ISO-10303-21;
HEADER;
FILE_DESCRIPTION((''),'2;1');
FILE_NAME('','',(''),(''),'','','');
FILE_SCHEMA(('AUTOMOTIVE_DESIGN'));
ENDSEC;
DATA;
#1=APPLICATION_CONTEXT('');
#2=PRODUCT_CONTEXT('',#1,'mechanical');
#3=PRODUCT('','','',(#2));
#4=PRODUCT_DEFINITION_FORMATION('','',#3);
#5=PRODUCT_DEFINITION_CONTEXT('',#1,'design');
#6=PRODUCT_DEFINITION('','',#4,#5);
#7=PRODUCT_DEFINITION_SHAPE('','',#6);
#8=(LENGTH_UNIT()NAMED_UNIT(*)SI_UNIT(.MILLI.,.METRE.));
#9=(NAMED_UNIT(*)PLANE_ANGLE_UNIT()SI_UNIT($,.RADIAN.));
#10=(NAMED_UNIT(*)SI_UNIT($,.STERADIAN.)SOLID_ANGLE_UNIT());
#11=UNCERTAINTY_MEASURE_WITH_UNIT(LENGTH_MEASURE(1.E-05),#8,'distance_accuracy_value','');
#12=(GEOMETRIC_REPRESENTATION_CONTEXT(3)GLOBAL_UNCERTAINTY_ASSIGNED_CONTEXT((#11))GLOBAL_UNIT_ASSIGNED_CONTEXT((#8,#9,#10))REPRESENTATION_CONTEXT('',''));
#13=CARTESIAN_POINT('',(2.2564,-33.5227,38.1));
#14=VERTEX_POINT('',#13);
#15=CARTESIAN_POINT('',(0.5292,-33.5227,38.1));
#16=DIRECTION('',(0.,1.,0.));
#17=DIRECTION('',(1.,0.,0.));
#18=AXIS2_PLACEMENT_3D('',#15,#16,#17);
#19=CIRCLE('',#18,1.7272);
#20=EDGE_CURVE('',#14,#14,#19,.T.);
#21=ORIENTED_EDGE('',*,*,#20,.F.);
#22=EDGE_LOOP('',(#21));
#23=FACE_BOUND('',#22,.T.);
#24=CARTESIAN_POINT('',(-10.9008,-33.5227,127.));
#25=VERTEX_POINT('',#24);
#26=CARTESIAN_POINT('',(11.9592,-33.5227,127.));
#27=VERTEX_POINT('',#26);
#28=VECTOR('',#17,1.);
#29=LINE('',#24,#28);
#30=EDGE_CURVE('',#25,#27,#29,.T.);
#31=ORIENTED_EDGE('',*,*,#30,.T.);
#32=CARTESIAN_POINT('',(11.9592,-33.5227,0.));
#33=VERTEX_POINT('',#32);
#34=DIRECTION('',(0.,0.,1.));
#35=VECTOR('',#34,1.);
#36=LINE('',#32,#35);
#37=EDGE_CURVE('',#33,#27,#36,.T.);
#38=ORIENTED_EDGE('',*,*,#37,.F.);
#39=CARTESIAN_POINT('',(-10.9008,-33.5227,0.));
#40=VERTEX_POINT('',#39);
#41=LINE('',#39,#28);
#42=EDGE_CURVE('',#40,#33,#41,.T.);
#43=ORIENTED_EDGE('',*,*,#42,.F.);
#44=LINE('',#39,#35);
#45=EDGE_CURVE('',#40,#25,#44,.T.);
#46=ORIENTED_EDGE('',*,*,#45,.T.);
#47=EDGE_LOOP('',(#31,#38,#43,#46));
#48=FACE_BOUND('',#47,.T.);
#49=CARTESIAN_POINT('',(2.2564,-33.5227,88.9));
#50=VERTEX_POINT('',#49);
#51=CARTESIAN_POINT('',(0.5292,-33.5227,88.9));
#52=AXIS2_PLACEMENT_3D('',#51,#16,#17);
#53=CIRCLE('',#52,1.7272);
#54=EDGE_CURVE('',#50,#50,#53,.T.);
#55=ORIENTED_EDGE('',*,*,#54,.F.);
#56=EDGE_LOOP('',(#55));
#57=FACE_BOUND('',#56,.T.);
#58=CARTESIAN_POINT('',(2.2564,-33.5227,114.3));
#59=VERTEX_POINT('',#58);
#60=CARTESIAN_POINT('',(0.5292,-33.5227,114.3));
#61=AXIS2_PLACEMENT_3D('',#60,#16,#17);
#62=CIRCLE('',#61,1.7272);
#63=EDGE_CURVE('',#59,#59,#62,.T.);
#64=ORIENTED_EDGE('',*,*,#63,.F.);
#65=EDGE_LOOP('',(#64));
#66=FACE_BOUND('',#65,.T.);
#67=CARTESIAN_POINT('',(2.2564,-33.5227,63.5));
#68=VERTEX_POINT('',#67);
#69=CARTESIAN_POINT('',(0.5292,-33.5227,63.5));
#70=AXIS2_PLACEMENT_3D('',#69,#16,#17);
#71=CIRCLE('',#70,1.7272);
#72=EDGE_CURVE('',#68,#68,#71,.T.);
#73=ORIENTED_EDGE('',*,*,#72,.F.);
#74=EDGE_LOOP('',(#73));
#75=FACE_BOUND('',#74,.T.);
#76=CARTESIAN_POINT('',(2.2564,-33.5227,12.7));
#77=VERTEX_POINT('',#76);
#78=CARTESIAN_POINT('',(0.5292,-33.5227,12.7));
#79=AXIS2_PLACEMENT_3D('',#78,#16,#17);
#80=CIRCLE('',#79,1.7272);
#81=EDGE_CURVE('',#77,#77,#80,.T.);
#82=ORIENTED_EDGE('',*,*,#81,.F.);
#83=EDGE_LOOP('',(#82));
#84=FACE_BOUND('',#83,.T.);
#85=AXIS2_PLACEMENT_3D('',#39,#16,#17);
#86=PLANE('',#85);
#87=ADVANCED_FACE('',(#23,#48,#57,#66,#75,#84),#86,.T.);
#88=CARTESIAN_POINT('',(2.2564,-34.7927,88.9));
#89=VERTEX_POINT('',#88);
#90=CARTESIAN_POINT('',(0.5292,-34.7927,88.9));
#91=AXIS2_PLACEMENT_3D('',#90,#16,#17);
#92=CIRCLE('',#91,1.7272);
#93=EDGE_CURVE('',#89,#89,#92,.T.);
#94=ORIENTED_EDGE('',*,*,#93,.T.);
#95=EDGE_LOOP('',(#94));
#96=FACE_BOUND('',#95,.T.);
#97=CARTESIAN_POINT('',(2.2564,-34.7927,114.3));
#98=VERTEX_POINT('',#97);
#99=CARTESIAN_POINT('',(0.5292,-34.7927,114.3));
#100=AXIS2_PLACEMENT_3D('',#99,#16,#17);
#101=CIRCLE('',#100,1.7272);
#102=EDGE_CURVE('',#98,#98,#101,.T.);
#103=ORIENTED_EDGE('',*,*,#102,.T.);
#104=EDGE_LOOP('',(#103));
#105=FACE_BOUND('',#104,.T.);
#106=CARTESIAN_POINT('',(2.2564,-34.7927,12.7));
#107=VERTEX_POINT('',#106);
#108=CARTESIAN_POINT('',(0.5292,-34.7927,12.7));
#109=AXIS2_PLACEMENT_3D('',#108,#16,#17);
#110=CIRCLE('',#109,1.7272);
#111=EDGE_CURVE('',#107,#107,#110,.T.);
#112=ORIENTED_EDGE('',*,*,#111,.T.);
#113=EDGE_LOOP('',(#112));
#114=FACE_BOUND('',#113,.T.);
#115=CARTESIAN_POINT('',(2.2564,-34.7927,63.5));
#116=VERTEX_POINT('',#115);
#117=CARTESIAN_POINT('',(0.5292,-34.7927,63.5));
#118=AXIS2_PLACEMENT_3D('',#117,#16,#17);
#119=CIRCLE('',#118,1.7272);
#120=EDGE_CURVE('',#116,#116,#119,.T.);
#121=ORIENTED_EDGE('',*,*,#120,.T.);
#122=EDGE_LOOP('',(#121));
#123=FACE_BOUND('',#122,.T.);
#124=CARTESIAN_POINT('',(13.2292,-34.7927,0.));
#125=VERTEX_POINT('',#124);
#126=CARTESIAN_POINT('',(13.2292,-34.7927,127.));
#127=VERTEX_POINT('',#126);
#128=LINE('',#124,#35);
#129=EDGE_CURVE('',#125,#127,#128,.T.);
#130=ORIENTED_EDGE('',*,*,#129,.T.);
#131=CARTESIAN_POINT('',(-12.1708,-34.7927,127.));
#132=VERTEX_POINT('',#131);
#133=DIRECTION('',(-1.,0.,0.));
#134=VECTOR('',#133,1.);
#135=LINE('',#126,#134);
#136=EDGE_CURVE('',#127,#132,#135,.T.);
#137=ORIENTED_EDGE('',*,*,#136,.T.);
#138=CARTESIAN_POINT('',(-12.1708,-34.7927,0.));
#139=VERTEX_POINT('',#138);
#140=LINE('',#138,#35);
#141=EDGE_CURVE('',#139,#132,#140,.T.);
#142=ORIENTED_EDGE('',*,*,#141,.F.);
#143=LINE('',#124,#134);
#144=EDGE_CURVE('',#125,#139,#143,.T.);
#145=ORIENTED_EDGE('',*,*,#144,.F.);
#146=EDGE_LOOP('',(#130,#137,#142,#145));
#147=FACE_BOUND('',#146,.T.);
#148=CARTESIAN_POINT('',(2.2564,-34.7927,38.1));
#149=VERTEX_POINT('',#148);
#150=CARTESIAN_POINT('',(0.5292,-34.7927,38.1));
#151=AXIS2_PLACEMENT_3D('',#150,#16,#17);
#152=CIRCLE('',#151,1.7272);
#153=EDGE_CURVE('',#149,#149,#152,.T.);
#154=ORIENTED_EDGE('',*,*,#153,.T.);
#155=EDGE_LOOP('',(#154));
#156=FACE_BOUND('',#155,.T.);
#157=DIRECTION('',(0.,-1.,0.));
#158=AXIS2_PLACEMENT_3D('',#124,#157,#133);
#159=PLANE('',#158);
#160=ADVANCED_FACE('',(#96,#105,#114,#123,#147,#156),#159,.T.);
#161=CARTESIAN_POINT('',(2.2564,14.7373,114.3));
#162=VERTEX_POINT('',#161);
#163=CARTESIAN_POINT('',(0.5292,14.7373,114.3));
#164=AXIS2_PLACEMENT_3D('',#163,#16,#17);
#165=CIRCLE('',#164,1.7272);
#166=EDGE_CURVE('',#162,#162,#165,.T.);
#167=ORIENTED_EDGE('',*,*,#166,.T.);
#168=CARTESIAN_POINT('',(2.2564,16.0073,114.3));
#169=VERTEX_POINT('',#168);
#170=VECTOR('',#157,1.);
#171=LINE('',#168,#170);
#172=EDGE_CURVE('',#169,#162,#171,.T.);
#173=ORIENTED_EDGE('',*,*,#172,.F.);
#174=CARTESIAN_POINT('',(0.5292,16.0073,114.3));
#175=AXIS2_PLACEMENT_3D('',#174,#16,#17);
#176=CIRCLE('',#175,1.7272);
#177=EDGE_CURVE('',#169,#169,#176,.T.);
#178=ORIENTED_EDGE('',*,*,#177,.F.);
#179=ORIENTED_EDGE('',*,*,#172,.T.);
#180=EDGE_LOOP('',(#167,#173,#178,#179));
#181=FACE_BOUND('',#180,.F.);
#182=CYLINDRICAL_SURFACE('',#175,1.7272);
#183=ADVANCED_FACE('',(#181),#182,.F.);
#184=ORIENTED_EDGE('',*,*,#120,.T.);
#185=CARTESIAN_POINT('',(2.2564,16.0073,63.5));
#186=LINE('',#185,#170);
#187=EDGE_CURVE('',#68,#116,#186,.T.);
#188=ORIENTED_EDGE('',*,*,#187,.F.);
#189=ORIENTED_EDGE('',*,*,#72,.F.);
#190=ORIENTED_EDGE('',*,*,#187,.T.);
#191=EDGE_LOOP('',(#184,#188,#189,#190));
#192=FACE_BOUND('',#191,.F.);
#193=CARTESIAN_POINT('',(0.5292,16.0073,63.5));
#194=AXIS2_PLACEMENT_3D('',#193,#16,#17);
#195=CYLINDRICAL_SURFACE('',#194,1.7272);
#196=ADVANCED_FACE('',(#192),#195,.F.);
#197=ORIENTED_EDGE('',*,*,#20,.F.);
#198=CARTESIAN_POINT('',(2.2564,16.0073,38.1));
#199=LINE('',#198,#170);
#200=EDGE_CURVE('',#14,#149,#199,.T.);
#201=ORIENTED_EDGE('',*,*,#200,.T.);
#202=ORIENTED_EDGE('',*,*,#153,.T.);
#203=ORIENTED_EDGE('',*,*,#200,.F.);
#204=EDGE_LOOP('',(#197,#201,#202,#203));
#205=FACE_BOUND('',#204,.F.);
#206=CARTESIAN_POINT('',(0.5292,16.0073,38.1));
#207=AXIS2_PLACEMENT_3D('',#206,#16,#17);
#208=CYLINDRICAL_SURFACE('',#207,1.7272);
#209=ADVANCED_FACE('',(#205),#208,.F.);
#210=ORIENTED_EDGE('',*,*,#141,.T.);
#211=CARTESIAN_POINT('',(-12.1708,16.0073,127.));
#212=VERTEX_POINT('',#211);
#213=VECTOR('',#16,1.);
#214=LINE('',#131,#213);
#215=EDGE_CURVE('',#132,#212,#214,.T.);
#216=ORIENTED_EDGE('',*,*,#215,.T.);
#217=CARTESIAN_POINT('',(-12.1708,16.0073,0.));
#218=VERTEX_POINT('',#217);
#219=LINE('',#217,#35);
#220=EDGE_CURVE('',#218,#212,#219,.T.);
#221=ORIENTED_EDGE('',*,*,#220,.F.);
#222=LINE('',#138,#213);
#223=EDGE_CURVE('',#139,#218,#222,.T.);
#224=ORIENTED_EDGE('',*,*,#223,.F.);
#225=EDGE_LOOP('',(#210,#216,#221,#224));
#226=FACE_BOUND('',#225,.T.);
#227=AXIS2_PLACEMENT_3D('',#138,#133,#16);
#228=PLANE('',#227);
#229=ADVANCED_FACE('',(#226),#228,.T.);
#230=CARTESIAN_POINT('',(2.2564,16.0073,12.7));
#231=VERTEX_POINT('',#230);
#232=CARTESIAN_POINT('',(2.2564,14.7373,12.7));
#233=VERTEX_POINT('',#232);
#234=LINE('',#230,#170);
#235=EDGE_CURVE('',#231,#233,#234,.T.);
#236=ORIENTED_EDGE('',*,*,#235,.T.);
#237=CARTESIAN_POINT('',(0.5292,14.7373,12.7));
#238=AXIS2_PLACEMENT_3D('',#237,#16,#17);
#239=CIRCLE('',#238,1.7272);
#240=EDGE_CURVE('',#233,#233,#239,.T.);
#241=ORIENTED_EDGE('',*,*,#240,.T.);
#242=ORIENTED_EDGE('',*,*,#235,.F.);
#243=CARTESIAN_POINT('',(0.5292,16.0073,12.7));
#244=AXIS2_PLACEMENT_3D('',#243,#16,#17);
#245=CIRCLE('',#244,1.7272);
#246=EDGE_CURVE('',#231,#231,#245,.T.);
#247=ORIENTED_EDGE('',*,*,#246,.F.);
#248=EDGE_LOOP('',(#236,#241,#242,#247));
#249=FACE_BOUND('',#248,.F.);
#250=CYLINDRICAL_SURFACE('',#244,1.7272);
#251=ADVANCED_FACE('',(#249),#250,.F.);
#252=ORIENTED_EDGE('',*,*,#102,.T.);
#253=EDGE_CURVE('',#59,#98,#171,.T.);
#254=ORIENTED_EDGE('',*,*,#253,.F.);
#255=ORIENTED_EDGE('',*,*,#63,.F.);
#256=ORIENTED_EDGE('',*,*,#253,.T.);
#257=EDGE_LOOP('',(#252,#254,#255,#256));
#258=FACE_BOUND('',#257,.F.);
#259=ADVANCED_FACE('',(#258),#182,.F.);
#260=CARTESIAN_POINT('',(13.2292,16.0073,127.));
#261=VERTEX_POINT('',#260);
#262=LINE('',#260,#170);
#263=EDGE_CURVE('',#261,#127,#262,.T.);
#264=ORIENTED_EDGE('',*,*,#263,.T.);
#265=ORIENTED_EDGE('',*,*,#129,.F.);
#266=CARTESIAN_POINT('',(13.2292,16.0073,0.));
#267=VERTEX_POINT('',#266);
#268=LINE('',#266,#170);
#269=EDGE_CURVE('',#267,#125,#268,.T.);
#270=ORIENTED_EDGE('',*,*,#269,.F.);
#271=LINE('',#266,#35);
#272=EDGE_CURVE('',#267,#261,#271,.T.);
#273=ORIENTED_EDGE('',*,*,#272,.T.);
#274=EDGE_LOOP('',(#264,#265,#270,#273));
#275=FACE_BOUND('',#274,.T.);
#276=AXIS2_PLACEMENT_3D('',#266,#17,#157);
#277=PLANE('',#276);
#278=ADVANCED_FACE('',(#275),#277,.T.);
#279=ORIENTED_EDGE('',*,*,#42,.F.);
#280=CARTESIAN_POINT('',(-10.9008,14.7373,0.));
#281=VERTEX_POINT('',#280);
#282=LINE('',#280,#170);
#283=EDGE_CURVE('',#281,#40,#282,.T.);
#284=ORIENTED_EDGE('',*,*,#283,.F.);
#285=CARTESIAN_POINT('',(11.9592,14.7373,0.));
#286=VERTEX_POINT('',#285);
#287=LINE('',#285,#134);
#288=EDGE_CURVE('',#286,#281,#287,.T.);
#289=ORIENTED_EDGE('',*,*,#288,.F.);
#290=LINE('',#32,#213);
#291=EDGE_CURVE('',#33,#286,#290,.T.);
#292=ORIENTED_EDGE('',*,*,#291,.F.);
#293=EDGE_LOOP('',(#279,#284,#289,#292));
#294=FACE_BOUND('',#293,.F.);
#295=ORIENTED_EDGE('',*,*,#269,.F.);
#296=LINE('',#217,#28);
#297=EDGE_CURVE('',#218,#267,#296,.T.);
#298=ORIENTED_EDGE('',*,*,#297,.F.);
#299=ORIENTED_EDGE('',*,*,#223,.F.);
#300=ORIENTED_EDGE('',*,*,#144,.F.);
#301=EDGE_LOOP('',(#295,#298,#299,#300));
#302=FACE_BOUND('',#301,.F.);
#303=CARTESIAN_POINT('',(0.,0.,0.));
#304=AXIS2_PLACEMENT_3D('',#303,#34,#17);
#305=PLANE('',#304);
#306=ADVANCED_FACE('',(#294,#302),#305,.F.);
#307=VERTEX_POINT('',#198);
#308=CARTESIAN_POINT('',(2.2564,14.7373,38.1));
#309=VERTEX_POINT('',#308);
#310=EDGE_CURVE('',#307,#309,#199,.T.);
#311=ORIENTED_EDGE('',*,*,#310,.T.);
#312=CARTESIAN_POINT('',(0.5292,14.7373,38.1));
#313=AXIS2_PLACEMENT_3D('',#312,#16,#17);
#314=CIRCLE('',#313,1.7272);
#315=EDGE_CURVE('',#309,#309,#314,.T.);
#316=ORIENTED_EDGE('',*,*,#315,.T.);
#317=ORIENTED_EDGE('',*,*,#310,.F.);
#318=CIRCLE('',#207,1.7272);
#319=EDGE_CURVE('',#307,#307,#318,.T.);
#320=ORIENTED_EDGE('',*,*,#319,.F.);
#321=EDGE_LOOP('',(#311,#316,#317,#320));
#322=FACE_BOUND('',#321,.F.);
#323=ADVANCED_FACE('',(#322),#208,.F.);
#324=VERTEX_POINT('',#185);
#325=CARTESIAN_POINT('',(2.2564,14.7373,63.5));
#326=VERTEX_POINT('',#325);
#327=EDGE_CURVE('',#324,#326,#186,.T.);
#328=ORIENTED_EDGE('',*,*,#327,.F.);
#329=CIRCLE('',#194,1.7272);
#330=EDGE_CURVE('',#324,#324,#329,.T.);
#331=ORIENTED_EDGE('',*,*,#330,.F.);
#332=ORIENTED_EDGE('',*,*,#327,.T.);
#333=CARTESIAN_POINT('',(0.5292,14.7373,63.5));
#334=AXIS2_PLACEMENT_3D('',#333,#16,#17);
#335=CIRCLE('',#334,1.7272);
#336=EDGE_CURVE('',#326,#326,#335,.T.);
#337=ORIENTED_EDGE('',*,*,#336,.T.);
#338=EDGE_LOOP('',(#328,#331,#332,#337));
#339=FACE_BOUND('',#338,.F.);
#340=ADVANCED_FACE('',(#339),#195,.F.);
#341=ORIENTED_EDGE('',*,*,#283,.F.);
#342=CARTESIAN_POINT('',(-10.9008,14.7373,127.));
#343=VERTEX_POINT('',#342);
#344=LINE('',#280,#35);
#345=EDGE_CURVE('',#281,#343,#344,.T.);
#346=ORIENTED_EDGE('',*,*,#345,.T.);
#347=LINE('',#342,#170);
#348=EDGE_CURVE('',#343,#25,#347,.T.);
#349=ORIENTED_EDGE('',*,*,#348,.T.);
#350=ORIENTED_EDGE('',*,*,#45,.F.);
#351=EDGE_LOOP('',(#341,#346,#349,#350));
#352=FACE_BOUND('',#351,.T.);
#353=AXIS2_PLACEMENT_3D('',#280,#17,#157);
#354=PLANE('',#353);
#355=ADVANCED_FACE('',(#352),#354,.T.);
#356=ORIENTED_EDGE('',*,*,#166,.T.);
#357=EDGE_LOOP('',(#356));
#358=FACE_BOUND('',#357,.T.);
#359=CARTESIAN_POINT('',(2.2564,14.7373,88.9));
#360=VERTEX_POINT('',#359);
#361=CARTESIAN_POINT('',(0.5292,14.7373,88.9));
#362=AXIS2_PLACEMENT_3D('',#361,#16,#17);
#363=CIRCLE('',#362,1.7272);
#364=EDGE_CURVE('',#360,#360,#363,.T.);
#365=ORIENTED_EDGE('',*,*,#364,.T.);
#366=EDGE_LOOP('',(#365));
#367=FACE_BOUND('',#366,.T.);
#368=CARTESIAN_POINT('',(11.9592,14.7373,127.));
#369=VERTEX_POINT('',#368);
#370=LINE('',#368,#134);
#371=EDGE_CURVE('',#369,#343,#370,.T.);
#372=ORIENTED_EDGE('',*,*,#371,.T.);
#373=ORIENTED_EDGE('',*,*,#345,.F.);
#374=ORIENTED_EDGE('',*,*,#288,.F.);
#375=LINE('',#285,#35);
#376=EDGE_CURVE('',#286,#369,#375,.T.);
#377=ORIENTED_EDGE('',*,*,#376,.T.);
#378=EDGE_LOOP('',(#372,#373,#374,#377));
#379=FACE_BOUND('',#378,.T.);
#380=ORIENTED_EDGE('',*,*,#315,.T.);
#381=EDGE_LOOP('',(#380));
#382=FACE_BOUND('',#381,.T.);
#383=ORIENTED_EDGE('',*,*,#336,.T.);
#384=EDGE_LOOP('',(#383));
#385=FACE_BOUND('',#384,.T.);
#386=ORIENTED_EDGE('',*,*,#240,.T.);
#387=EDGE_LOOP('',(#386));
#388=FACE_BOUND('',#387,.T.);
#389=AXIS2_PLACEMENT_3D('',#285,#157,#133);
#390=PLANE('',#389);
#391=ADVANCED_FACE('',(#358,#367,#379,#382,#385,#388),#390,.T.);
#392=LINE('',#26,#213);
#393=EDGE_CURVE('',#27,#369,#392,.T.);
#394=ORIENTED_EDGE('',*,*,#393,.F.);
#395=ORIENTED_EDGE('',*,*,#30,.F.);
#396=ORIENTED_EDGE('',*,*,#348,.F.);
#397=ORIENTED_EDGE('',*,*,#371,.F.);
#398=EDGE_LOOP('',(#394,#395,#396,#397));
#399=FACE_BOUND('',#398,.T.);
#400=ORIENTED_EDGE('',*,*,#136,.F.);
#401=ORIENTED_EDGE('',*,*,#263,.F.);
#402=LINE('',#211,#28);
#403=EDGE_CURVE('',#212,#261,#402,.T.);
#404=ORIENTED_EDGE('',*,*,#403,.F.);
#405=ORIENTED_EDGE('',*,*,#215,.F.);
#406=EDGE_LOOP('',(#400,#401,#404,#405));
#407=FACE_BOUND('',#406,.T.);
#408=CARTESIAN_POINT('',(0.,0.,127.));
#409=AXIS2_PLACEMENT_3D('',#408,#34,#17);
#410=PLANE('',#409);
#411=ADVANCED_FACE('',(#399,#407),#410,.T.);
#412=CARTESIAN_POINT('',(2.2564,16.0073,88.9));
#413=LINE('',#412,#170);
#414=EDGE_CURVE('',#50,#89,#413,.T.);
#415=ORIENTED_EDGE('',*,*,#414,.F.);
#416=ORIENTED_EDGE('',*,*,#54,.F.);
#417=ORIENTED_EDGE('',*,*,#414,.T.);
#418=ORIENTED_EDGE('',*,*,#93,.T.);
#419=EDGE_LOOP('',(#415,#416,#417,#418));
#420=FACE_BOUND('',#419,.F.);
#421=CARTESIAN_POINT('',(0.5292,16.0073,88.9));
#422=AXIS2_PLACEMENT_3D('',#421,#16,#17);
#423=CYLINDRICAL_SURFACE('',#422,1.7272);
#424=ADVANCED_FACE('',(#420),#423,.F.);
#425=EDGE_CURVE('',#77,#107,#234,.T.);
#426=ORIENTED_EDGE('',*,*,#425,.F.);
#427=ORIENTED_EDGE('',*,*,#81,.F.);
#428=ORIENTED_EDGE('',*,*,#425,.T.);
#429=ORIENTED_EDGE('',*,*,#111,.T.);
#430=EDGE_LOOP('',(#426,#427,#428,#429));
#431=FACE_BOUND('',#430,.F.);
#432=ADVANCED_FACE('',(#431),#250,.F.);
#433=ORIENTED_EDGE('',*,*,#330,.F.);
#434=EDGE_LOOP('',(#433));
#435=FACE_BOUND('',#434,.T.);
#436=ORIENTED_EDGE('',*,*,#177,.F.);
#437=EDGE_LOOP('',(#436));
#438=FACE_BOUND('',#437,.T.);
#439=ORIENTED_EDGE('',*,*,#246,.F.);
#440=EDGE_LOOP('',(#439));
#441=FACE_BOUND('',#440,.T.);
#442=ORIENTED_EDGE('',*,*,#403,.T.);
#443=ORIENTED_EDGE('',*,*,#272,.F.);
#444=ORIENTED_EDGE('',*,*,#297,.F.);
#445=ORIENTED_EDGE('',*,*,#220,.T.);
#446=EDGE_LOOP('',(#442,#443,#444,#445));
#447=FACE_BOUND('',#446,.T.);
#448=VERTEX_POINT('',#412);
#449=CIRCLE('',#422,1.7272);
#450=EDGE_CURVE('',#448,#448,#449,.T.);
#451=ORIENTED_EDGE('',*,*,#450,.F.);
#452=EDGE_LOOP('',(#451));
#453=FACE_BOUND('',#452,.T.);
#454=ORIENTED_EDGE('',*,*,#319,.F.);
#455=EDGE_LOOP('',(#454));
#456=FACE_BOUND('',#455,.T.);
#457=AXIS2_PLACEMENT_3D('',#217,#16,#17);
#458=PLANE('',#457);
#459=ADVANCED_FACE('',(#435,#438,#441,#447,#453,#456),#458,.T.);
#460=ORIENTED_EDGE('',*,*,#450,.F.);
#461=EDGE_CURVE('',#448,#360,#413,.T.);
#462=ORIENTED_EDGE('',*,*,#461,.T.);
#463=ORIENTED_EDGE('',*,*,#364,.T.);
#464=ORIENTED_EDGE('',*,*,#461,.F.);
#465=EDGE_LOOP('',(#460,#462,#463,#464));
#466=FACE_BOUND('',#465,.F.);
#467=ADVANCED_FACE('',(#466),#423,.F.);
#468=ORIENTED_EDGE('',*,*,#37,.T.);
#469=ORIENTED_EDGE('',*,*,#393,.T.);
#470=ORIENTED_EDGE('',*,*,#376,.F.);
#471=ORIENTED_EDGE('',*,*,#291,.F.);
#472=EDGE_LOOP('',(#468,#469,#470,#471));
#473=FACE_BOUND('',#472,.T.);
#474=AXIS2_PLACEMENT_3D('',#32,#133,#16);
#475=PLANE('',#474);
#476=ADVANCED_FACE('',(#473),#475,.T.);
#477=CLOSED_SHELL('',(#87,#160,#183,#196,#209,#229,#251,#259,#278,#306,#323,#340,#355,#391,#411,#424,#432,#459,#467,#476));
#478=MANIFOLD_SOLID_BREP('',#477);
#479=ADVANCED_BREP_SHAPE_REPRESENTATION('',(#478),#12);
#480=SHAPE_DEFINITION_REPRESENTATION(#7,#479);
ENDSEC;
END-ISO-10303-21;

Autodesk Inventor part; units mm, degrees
ref_plane "YZ Plane" through (0, 0, 0) normal (1, 0, 0) x (0, 1, 0)
ref_plane "XZ Plane" through (0, 0, 0) normal (0, 1, 0) x (-1, 0, 0)
ref_plane "XY Plane" through (0, 0, 0) normal (0, 0, 1) x (1, 0, 0)
sketch "Sketch1" plane through (0, 0, 0) normal (0, 0, 1) x (1, 0, 0)
  line L0 (-12.1708, 16.0073) -> (13.2292, 16.0073)
  line L1 (13.2292, 16.0073) -> (13.2292, -34.7927)
  line L2 (13.2292, -34.7927) -> (-12.1708, -34.7927)
  line L3 (-12.1708, -34.7927) -> (-12.1708, 16.0073)
  line L4 (11.9592, 14.7373) -> (-10.9008, 14.7373)
  line L5 (-10.9008, 14.7373) -> (-10.9008, -33.5227)
  line L6 (-10.9008, -33.5227) -> (11.9592, -33.5227)
  line L7 (11.9592, -33.5227) -> (11.9592, 14.7373)
  point P0 (0, 0)
  dimension "d0" = 25.4
  dimension "d1" = 50.8
  dimension "d2" = 1.27
extrude "Extrusion1" add sketch "Sketch1" along normal blind 127
sketch "Sketch2" plane through (-12.1708, 16.0073, 0) normal (0, 1, 0) x (1, 0, 0)
  circle A0 centre (12.7, -12.7) radius 1.7272
  line L0 (25.4, 0) -> (0, 0) projected
  line L1 (0, 0) -> (0, -127) projected
  point P0 (12.1708, 0)
  dimension "d5" = 3.4544
  dimension "d6" = 12.7
  dimension "d7" = 12.7
extrude "Extrusion2" cut sketch "Sketch2" against normal through all
pattern_linear "Rectangular Pattern1" count 13 spacing 25.4 along (0, 0, 1) of "Extrusion2"
equation "\"d3\" = d13"
equation "\"d10\" = d14"
equation "\"d13\" = 127"
equation "\"d14\" = d13"
properties part number "VerseFrame 5in STOCK"
